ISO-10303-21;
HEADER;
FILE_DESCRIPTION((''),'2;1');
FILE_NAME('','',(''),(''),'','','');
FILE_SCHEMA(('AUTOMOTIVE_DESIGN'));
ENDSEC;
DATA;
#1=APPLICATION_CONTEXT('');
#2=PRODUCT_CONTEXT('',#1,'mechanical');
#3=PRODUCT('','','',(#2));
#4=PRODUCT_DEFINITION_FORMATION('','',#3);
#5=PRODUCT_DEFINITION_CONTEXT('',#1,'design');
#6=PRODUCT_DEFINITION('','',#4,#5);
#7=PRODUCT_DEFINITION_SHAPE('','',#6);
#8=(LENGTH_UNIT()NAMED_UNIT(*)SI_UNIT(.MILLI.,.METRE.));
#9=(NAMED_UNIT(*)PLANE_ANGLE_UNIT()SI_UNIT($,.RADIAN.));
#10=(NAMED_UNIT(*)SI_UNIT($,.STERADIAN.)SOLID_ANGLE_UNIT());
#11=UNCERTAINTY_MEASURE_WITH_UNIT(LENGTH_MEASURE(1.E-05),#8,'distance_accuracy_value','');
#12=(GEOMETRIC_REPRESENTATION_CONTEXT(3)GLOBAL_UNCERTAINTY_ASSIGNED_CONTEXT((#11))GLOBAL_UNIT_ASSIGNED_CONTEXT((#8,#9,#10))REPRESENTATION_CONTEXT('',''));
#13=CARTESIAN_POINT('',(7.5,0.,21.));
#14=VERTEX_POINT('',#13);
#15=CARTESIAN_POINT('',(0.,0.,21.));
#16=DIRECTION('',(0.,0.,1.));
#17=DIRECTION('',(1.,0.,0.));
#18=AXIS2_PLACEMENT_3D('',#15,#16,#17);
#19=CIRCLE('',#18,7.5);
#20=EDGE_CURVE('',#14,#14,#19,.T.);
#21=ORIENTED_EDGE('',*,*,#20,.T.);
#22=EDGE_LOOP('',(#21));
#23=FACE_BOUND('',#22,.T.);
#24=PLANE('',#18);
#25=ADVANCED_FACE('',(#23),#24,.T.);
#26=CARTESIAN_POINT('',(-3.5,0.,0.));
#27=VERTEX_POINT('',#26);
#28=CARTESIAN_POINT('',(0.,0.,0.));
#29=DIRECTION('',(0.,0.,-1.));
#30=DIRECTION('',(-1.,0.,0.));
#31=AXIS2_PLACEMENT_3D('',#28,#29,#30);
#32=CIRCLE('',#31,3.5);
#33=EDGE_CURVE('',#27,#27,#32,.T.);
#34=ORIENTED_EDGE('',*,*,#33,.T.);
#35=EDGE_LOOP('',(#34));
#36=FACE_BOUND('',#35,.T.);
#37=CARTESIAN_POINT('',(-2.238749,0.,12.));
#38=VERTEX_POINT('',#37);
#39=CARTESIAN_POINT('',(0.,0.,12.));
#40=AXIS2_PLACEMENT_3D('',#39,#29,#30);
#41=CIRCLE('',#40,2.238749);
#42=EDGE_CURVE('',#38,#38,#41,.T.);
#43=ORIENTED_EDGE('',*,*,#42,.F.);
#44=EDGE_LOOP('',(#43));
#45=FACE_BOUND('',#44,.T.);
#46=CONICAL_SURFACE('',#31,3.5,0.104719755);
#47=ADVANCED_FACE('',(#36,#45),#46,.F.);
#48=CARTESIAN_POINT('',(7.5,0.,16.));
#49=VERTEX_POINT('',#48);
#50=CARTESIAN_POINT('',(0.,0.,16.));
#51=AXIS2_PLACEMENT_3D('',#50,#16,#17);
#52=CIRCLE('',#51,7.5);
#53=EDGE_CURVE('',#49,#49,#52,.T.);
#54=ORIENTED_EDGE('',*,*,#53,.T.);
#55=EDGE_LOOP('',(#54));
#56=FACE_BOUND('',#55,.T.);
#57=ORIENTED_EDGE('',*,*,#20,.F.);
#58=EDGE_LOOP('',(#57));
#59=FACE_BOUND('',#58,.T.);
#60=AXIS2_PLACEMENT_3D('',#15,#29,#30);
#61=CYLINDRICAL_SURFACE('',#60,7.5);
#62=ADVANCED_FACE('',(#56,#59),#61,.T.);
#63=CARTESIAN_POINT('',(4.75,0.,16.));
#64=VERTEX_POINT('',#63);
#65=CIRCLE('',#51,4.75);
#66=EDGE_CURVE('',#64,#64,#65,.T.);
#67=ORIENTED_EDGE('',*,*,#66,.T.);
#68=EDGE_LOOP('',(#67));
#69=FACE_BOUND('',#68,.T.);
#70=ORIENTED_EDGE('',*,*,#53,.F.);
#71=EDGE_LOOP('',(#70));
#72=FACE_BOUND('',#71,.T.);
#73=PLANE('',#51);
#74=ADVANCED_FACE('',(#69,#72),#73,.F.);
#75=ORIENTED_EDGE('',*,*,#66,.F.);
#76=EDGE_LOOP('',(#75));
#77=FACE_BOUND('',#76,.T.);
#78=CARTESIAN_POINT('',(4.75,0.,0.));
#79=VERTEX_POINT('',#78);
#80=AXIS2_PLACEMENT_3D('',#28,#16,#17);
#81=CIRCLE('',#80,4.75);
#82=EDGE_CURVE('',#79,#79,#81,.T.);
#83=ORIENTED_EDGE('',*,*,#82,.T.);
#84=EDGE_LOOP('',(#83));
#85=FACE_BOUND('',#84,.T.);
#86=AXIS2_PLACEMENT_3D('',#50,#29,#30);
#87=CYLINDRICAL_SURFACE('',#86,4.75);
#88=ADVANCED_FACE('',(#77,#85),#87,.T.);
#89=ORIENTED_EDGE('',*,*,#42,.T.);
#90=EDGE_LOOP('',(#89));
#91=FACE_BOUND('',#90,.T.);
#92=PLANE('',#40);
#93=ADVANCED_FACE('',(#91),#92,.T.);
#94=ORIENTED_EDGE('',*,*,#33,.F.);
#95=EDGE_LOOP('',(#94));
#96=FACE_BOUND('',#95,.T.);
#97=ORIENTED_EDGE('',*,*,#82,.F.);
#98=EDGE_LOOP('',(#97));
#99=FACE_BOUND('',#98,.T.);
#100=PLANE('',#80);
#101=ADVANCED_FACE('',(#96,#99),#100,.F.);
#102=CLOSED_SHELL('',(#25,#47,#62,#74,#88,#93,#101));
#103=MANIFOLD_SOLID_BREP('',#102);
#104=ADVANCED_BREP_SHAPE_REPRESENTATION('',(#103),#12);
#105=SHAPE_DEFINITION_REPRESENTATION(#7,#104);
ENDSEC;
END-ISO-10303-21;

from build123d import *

# Parameters (mm, degrees)
SKETCH1_R           = 4.75
BOSS_EXTRUDE1_DEPTH = 16
SKETCH2_R           = 7.5
BOSS_EXTRUDE2_DEPTH = 5
SKETCH3_R           = 3.5
CUT_EXTRUDE1_DEPTH  = 12
CUT_EXTRUDE1_DRAFT  = -6


with BuildPart() as part:
    # Sketch1 → Boss-Extrude1 (new body)
    with BuildSketch(Plane.XY):
        Circle(SKETCH1_R)
    extrude(amount=BOSS_EXTRUDE1_DEPTH)

    # Sketch2 → Boss-Extrude2 (add)
    with BuildSketch(Plane.XY.offset(16)):
        Circle(SKETCH2_R)
    extrude(amount=BOSS_EXTRUDE2_DEPTH)


with BuildPart() as cut_extrude1_tool:
    # Sketch3 → Cut-Extrude1 (with draft: the straight prism first)
    with BuildSketch(Plane(origin=(0, 0, 0), x_dir=(-1, 0, 0), z_dir=(0, 0, -1))):
        Circle(SKETCH3_R)
    extrude(amount=-CUT_EXTRUDE1_DEPTH)
    # Cut-Extrude1: the draft: its side faces are tilted about the plane it starts from
    cut_extrude1_sides = [cut_extrude1_tool.faces().sort_by_distance(p)[0] for p in [
        (3.5, 0, 6),
    ]]
    draft(cut_extrude1_sides, Plane(origin=(0, 0, 0), x_dir=(-1, 0, 0), z_dir=(0, 0, -1)), CUT_EXTRUDE1_DRAFT)


with BuildPart() as part_1:
    add(part.part)

    # Cut-Extrude1: cut by cut_extrude1_tool
    add(cut_extrude1_tool.part, mode=Mode.SUBTRACT)


solid = part_1.part
